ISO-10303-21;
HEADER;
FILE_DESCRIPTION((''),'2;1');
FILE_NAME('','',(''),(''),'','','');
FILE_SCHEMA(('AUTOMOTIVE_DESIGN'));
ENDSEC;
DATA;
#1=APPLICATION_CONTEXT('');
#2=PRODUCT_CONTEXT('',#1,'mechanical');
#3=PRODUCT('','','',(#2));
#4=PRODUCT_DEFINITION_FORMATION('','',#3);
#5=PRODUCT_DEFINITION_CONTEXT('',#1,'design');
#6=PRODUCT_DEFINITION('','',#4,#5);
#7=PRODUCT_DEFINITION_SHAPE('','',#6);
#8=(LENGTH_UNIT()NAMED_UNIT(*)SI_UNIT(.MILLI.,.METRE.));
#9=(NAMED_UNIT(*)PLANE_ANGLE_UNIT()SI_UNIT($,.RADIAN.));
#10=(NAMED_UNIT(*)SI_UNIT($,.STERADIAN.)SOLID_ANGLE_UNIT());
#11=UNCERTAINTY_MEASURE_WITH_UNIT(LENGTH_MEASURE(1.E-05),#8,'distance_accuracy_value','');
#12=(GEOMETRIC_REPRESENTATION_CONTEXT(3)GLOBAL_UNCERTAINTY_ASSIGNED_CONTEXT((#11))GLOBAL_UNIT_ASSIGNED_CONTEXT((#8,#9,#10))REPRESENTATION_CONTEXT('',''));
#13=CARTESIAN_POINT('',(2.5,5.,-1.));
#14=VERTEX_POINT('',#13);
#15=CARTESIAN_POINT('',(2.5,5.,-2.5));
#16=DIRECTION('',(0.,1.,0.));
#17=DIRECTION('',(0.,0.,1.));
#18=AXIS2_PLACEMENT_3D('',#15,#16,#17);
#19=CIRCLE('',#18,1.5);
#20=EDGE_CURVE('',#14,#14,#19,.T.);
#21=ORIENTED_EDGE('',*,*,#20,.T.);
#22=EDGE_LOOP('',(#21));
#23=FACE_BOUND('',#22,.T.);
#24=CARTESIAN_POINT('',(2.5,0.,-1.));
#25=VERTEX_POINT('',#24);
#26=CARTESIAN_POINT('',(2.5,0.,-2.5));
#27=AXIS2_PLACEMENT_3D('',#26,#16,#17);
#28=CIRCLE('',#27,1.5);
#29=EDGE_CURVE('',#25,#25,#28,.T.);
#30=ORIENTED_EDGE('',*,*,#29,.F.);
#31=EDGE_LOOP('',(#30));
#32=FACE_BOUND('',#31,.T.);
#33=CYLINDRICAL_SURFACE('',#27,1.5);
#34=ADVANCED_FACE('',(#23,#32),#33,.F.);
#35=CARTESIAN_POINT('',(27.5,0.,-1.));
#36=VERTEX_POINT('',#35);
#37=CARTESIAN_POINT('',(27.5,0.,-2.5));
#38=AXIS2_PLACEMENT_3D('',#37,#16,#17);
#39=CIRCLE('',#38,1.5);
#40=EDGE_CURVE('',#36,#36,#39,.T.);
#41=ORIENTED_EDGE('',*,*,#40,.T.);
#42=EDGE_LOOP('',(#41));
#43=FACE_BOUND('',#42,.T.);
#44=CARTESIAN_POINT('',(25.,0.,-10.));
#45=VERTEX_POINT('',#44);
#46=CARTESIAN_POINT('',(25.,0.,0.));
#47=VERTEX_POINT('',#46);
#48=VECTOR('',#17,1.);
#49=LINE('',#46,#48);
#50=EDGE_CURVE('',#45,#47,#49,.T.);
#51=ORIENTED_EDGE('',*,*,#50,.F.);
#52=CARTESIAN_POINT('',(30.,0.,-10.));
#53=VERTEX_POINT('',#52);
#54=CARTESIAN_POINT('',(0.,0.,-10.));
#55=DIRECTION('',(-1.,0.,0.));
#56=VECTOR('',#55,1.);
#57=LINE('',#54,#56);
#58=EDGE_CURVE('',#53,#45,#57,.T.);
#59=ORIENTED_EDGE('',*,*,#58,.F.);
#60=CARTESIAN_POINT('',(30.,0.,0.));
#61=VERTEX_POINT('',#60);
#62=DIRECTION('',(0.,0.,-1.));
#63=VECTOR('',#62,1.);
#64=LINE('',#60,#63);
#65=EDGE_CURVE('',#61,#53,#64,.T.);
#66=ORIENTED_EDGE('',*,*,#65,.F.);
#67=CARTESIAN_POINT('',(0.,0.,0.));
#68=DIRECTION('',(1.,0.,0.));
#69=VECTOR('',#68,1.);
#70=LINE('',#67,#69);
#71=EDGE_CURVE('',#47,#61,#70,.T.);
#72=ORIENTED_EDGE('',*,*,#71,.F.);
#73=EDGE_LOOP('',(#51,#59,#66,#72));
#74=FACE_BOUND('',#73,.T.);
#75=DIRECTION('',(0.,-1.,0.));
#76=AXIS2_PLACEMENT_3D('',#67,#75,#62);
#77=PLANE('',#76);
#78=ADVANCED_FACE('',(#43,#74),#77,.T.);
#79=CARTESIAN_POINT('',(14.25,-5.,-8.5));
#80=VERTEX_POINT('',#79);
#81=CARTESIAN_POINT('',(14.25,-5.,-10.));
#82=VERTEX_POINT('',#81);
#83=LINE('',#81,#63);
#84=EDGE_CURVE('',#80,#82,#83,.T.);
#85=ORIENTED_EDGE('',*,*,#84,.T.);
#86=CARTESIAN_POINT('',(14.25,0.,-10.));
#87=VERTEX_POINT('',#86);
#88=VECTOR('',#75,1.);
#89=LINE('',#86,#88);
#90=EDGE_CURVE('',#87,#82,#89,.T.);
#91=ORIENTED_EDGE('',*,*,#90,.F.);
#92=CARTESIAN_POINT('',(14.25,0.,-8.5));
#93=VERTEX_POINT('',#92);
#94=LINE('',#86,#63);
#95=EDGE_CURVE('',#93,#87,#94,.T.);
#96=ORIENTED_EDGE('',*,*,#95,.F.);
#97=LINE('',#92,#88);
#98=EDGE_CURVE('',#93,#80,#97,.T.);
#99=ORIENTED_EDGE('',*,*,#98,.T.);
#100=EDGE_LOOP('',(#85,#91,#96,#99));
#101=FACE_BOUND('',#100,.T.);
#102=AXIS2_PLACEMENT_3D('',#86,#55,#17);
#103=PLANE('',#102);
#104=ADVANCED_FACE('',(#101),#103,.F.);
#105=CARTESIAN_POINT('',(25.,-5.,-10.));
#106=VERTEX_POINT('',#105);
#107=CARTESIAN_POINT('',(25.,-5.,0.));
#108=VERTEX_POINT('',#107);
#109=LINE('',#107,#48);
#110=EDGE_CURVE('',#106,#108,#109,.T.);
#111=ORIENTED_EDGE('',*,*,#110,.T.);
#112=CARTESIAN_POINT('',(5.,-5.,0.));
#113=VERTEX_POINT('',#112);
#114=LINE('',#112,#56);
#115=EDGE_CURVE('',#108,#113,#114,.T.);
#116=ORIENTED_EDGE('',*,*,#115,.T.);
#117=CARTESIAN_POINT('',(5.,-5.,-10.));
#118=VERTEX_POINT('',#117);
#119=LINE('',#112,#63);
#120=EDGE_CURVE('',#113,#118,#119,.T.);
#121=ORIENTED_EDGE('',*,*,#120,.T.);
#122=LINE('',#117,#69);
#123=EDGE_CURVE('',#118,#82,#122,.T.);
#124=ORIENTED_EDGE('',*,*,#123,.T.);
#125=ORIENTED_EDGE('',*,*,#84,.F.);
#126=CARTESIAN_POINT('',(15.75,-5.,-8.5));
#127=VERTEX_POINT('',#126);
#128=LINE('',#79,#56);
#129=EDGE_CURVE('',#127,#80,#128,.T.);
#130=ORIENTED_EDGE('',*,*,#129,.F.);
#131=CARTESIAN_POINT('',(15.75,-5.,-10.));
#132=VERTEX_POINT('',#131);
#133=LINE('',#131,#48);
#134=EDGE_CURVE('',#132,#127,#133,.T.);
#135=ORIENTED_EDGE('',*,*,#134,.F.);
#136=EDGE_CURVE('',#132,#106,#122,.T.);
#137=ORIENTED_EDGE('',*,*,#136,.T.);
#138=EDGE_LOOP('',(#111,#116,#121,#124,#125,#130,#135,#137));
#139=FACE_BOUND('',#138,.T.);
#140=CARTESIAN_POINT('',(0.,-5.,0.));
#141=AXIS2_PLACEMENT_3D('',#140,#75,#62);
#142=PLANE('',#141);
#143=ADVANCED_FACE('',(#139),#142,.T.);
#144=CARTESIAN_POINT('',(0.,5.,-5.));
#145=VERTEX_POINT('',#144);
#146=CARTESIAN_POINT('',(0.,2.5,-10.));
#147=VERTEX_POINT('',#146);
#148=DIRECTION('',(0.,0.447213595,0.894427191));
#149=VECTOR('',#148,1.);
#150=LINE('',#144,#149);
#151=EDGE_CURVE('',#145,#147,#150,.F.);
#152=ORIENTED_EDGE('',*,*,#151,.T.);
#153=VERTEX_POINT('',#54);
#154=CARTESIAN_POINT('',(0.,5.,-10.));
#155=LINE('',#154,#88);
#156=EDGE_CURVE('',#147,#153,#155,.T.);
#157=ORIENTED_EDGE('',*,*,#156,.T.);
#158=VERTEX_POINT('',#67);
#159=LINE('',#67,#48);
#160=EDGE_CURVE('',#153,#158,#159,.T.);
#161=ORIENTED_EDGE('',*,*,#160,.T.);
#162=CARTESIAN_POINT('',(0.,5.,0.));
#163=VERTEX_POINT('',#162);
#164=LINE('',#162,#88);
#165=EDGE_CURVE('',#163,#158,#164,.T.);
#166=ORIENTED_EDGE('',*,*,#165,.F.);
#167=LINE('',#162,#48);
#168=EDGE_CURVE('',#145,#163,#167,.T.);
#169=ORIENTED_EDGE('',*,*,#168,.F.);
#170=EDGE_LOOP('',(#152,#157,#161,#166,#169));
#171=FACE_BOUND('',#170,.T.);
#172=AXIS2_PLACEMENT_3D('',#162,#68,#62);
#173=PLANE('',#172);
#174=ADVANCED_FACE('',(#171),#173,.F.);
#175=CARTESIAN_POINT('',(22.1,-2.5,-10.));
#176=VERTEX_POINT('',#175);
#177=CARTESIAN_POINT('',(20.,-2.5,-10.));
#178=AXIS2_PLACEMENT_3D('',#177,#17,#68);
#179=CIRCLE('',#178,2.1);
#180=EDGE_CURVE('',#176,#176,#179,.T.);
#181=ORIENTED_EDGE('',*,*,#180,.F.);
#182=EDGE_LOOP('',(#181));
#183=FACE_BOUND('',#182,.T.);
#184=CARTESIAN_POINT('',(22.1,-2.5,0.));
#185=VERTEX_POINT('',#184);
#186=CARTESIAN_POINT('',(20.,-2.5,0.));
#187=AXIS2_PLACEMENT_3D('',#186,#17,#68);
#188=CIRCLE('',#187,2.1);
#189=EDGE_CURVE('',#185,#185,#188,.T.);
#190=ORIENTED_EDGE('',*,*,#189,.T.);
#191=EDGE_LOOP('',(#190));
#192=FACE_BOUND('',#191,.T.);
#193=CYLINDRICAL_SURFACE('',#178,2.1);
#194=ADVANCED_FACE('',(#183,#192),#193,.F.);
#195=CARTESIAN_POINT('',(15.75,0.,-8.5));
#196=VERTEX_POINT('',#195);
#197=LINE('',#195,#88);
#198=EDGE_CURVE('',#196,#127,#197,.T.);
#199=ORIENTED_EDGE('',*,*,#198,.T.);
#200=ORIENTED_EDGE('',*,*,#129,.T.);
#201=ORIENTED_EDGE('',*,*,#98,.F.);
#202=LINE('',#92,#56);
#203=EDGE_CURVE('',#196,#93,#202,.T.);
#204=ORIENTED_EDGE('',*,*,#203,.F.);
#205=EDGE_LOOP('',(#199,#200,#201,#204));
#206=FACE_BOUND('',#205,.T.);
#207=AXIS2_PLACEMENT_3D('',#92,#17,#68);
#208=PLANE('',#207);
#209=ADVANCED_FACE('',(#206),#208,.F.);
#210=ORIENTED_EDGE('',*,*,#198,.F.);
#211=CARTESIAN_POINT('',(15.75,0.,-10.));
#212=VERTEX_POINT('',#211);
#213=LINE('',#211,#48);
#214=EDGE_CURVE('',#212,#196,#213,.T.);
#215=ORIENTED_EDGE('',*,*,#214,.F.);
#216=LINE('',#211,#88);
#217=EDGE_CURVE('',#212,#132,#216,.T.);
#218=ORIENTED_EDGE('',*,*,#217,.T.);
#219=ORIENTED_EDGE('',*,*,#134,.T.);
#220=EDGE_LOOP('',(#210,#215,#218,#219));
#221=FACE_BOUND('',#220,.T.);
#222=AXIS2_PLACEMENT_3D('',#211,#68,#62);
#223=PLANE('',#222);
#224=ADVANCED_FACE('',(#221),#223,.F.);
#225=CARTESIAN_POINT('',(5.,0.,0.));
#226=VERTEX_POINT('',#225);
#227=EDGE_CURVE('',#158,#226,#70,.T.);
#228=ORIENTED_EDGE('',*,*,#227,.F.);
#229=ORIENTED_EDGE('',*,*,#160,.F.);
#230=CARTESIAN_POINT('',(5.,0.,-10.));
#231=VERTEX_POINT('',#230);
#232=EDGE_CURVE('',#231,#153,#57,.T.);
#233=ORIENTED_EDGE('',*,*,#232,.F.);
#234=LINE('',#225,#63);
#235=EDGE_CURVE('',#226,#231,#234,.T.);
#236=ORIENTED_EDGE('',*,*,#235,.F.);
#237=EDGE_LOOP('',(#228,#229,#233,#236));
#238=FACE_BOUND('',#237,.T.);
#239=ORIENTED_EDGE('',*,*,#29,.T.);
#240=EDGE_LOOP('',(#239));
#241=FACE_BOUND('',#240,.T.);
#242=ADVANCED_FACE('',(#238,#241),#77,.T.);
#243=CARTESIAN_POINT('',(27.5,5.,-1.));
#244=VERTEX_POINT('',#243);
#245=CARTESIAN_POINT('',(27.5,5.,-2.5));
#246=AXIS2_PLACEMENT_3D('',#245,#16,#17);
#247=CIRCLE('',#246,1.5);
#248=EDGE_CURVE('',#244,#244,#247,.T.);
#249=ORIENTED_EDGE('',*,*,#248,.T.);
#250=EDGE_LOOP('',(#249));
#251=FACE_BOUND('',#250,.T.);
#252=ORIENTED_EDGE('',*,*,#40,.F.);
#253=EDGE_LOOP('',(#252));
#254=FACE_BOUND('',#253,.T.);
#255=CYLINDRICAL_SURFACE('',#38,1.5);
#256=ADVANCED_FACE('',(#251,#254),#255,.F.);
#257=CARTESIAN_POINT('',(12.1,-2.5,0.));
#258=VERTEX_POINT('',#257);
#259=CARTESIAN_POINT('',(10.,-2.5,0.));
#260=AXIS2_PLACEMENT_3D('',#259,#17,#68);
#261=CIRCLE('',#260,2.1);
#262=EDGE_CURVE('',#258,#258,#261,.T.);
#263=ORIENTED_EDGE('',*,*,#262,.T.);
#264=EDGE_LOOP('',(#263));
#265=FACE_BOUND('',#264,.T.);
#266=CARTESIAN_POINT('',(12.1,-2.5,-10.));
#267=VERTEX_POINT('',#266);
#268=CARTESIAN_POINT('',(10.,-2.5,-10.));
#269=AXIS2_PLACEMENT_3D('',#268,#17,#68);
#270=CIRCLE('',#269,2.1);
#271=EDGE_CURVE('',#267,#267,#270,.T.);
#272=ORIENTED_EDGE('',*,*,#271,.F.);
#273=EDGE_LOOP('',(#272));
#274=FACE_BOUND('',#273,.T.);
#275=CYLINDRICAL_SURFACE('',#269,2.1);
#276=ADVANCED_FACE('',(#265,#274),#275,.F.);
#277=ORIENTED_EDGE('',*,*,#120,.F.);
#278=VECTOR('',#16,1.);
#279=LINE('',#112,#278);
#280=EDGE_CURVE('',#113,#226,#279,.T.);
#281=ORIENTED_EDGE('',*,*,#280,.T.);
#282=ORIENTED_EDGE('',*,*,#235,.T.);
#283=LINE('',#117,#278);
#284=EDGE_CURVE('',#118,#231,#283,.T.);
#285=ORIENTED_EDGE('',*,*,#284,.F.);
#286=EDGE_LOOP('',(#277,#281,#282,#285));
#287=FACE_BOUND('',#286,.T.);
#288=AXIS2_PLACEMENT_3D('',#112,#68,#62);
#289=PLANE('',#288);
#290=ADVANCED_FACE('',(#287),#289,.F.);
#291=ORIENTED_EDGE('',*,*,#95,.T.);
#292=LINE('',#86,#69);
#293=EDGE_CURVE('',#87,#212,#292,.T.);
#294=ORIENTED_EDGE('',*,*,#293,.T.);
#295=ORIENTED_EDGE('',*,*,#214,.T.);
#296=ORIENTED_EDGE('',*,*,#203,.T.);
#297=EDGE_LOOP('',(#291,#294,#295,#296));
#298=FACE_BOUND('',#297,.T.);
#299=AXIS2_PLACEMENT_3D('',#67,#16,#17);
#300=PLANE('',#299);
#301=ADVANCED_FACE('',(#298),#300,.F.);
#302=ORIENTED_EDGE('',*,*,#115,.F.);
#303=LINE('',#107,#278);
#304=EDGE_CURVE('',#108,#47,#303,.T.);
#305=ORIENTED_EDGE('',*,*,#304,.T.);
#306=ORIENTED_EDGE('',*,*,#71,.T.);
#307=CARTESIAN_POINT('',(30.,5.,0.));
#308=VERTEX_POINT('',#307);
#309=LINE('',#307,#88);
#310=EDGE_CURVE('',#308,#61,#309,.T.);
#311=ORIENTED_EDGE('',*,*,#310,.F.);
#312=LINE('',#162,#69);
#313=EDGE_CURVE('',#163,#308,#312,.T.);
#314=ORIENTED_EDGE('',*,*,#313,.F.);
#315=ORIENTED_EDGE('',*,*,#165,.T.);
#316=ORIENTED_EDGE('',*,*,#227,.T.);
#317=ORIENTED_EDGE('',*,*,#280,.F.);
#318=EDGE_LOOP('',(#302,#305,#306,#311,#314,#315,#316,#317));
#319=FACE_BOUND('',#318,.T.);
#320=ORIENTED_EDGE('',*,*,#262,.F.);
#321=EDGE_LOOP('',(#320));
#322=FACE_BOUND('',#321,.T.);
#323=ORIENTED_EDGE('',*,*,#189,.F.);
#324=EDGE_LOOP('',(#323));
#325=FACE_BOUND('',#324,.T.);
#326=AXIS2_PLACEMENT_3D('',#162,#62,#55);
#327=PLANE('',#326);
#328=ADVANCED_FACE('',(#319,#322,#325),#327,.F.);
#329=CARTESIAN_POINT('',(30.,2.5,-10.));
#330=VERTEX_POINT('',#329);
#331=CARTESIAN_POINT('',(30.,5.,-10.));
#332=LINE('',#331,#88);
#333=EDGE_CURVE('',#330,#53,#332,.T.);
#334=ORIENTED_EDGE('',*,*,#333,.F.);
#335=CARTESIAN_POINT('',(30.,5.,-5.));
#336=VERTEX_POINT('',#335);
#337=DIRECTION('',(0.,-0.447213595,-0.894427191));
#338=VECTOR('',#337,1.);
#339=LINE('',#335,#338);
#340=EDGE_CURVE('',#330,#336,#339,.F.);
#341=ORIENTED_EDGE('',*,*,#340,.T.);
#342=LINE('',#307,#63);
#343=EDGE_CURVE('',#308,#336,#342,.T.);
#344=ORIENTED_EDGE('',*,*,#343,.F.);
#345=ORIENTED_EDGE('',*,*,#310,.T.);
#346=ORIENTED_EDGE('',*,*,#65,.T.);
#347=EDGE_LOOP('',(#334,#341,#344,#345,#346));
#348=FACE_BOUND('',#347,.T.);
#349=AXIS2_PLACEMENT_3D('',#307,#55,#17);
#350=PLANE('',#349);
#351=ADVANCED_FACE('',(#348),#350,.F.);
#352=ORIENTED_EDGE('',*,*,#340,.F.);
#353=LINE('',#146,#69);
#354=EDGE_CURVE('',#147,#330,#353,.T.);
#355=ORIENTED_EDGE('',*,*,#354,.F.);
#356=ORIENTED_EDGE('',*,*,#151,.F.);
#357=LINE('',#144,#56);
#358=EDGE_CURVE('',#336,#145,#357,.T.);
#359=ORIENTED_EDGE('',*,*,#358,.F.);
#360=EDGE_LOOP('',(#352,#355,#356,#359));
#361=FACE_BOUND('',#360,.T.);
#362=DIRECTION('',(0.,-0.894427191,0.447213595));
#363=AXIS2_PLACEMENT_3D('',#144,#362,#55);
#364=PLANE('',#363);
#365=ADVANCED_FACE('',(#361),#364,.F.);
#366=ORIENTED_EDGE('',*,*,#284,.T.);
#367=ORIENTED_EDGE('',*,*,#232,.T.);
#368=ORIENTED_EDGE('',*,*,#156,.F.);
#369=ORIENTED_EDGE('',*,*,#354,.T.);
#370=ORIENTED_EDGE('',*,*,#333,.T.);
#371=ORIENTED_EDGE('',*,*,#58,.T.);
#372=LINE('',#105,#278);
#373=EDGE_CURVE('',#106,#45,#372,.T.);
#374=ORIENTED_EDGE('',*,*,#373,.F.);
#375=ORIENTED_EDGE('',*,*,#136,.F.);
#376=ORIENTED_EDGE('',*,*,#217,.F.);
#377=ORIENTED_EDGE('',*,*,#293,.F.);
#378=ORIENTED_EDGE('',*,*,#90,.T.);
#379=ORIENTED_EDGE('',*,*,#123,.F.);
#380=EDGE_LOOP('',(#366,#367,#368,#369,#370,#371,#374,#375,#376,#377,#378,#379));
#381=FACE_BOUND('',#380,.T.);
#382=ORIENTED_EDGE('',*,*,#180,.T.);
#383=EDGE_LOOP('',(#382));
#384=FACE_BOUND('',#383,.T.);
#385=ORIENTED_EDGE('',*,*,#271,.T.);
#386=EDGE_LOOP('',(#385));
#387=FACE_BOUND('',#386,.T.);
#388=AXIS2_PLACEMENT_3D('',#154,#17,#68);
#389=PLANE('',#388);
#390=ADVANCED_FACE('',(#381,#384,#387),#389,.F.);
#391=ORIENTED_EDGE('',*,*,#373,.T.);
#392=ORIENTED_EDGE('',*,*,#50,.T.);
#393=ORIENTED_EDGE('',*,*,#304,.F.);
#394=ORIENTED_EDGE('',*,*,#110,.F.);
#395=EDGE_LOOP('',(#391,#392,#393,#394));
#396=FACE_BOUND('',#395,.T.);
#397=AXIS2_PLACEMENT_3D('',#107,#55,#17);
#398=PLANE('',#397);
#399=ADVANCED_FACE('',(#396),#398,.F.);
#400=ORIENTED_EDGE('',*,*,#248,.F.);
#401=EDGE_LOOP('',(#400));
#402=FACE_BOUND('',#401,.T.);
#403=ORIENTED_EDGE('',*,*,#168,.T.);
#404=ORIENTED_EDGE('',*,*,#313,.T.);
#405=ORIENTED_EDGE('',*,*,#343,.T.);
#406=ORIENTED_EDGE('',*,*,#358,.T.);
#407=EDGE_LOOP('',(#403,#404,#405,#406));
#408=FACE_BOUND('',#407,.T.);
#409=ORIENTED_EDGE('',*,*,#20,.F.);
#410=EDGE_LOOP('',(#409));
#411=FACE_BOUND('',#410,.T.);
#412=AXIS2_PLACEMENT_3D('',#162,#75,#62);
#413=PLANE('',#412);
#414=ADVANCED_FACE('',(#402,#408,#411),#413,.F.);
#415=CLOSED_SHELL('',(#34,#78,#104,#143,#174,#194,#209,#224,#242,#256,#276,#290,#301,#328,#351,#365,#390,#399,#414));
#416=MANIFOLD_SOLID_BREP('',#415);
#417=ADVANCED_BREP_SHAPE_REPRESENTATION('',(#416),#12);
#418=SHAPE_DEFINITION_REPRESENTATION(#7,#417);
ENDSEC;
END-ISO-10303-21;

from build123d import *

# Parameters (mm, degrees)
SKETCH1_W           = 30
SKETCH1_H           = 10
BOSS_EXTRUDE1_DEPTH = 5
SKETCH2_W           = 20
SKETCH2_H           = 10
BOSS_EXTRUDE2_DEPTH = 5
SKETCH3_R           = 2.1
CUT_EXTRUDE1_DEPTH  = 10
LPATTERN1_COUNT     = 2
LPATTERN1_PITCH     = 10
SKETCH4_R           = 1.5
CUT_EXTRUDE2_DEPTH  = 5
LPATTERN2_COUNT     = 2
LPATTERN2_PITCH     = 25
SKETCH5_W           = 1.5
SKETCH5_H           = 1.5
CUT_EXTRUDE3_DEPTH  = 5
CHAMFER1_SIZE       = 2.5
CHAMFER1_SIZE2      = 5


with BuildPart() as part:
    # Sketch1 → Boss-Extrude1 (new body)
    with BuildSketch(Plane(origin=(0, 0, 0), x_dir=(1, 0, 0), z_dir=(0, 1, 0))):
        with Locations((15, 5)):
            Rectangle(SKETCH1_W, SKETCH1_H)
    extrude(amount=BOSS_EXTRUDE1_DEPTH)

    # Sketch2 → Boss-Extrude2 (add)
    with BuildSketch(Plane.XZ):
        with Locations((15, -5)):
            Rectangle(SKETCH2_W, SKETCH2_H)
    extrude(amount=BOSS_EXTRUDE2_DEPTH)

    # Sketch3 → Cut-Extrude1 (cut)
    with BuildSketch(Plane.XY):
        with Locations((20, -2.5)):
            Circle(SKETCH3_R)
    cut_extrude1 = extrude(amount=-CUT_EXTRUDE1_DEPTH, mode=Mode.SUBTRACT)

    # LPattern1: Cut-Extrude1 ×2
    with Locations(*[(-i * LPATTERN1_PITCH, 0, 0) for i in range(1, LPATTERN1_COUNT)]):
        add(cut_extrude1, mode=Mode.SUBTRACT)

    # Sketch4 → Cut-Extrude2 (cut)
    with BuildSketch(Plane(origin=(0, 5, 0), x_dir=(1, 0, 0), z_dir=(0, 1, 0))):
        with Locations((27.5, 2.5)):
            Circle(SKETCH4_R)
    cut_extrude2 = extrude(amount=-CUT_EXTRUDE2_DEPTH, mode=Mode.SUBTRACT)

    # LPattern2: Cut-Extrude2 ×2
    with Locations(*[(-i * LPATTERN2_PITCH, 0, 0) for i in range(1, LPATTERN2_COUNT)]):
        add(cut_extrude2, mode=Mode.SUBTRACT)

    # Sketch5 → Cut-Extrude3 (cut)
    with BuildSketch(Plane.XZ.offset(5)):
        with Locations((15, -9.25)):
            Rectangle(SKETCH5_W, SKETCH5_H)
    extrude(amount=-CUT_EXTRUDE3_DEPTH, mode=Mode.SUBTRACT)

    # Chamfer1
    chamfer1_edges = [part.edges().sort_by_distance(p)[0] for p in [
        (15, 5, -10),
    ]]
    chamfer1_side = [part.faces().sort_by_distance(p)[0] for p in [
        (15, 0.991763931, -10),
    ]]
    chamfer(chamfer1_edges, length=CHAMFER1_SIZE, length2=CHAMFER1_SIZE2, reference=chamfer1_side[0])


solid = part.part
